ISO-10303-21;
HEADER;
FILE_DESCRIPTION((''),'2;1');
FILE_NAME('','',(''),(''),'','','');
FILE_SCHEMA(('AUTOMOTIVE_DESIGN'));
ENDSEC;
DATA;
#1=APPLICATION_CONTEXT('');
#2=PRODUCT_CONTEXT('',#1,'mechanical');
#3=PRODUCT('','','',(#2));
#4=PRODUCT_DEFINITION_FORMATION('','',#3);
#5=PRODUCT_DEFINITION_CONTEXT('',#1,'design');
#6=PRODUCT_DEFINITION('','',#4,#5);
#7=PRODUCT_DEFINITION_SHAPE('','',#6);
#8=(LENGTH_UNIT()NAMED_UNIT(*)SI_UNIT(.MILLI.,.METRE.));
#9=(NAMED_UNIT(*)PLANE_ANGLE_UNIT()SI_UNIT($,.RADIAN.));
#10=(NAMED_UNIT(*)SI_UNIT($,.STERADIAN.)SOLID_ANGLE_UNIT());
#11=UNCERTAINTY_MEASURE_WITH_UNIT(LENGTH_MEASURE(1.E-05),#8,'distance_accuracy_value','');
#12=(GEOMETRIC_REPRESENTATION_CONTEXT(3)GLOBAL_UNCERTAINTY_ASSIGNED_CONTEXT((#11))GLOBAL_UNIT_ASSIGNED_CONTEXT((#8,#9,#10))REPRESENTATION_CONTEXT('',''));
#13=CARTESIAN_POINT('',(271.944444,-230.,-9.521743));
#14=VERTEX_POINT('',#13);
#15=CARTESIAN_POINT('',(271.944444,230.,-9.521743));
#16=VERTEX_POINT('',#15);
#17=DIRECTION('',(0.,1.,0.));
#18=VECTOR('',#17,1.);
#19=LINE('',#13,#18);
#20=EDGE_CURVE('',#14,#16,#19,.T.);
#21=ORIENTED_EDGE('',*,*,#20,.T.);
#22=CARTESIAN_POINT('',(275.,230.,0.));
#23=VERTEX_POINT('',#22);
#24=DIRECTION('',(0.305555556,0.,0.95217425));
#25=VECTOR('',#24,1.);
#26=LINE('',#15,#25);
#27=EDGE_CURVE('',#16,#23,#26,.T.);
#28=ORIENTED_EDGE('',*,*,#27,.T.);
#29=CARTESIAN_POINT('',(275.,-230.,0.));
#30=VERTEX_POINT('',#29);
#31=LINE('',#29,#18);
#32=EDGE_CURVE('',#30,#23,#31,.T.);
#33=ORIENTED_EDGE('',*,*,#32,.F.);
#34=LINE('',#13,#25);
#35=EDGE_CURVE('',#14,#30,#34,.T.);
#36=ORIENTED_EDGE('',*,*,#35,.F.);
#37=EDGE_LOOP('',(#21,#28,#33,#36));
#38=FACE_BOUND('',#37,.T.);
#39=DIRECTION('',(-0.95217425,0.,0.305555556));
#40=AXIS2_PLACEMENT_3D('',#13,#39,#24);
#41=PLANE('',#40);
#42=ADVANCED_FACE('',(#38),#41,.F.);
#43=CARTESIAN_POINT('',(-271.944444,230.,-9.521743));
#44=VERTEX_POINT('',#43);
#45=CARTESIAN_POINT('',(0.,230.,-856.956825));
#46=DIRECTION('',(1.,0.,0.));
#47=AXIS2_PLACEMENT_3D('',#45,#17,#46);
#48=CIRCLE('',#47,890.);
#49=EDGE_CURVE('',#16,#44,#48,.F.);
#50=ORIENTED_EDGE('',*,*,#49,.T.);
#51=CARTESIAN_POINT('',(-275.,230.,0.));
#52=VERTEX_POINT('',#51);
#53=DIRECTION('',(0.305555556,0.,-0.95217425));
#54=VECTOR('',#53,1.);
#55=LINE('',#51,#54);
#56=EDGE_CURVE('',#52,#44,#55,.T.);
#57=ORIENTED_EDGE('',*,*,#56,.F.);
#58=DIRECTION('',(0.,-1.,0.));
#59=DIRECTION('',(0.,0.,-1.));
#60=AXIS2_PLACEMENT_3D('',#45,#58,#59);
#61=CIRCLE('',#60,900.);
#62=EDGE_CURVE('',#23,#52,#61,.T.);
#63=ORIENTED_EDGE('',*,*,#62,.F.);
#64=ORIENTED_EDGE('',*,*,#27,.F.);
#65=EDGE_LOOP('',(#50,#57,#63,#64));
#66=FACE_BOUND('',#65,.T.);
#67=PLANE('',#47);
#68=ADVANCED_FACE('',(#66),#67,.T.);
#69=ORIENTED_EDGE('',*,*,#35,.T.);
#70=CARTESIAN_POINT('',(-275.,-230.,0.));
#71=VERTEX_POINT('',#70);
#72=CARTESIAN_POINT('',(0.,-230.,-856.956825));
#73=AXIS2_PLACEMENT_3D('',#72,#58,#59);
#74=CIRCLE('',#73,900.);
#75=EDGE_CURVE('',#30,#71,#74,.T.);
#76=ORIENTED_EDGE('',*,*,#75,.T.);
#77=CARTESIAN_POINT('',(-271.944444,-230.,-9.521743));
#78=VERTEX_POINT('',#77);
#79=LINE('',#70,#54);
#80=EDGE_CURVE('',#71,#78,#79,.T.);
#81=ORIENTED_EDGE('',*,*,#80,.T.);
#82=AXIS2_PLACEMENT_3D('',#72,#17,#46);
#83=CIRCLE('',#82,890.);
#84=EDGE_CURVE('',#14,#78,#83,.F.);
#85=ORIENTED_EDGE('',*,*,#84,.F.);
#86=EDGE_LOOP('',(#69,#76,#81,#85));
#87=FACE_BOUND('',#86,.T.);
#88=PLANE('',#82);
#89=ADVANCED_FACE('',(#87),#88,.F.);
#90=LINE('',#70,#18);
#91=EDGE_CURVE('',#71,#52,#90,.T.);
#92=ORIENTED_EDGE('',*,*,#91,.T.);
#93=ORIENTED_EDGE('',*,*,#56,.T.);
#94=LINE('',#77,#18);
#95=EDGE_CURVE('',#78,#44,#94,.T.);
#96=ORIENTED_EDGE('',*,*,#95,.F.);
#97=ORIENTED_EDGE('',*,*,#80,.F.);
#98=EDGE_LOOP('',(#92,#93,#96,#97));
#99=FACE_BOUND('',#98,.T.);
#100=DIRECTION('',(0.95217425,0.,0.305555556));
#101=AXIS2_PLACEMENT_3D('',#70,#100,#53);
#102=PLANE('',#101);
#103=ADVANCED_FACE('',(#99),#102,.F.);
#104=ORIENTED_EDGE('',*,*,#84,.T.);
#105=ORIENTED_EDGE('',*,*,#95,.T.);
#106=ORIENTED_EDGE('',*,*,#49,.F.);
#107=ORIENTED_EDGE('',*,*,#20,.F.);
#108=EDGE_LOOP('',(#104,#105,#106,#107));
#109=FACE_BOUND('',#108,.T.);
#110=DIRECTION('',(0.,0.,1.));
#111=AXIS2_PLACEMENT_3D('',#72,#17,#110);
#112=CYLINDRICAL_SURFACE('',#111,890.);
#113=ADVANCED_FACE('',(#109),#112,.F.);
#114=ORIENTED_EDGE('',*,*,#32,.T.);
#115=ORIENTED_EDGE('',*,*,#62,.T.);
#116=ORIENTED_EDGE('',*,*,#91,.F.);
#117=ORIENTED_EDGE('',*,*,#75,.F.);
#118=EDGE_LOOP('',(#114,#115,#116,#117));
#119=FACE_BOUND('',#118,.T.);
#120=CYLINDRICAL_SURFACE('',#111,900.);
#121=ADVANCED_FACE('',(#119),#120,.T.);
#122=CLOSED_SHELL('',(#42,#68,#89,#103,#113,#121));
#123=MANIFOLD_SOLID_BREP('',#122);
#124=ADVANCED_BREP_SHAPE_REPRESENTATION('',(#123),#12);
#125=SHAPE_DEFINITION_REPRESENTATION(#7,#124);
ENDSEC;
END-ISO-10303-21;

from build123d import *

# Parameters (mm, degrees)
EXTRUS_O_FINA1_DEPTH      = 230
EXTRUS_O_FINA1_DEPTH_BACK = 230


with BuildPart() as part:
    # Esboço1 → Extrusão-Fina1 (new, two sides: drawn at the far end of the back side and taken through both)
    with BuildSketch(Plane(origin=(0, 0, 0), x_dir=(1, 0, 0), z_dir=(0, 1, 0)).offset(-EXTRUS_O_FINA1_DEPTH_BACK)):
        with BuildLine():
            ThreePointArc((275, 0), (0, -43.04317495), (-275, 0))
            Line((-275, 0), (-271.944444444, 9.521742501))
            ThreePointArc((-271.944444444, 9.521742501), (0, -33.04317495), (271.944444444, 9.521742501))
            Line((271.944444444, 9.521742501), (275, 0))
        make_face()
    extrude(amount=EXTRUS_O_FINA1_DEPTH + EXTRUS_O_FINA1_DEPTH_BACK)


solid = part.part
